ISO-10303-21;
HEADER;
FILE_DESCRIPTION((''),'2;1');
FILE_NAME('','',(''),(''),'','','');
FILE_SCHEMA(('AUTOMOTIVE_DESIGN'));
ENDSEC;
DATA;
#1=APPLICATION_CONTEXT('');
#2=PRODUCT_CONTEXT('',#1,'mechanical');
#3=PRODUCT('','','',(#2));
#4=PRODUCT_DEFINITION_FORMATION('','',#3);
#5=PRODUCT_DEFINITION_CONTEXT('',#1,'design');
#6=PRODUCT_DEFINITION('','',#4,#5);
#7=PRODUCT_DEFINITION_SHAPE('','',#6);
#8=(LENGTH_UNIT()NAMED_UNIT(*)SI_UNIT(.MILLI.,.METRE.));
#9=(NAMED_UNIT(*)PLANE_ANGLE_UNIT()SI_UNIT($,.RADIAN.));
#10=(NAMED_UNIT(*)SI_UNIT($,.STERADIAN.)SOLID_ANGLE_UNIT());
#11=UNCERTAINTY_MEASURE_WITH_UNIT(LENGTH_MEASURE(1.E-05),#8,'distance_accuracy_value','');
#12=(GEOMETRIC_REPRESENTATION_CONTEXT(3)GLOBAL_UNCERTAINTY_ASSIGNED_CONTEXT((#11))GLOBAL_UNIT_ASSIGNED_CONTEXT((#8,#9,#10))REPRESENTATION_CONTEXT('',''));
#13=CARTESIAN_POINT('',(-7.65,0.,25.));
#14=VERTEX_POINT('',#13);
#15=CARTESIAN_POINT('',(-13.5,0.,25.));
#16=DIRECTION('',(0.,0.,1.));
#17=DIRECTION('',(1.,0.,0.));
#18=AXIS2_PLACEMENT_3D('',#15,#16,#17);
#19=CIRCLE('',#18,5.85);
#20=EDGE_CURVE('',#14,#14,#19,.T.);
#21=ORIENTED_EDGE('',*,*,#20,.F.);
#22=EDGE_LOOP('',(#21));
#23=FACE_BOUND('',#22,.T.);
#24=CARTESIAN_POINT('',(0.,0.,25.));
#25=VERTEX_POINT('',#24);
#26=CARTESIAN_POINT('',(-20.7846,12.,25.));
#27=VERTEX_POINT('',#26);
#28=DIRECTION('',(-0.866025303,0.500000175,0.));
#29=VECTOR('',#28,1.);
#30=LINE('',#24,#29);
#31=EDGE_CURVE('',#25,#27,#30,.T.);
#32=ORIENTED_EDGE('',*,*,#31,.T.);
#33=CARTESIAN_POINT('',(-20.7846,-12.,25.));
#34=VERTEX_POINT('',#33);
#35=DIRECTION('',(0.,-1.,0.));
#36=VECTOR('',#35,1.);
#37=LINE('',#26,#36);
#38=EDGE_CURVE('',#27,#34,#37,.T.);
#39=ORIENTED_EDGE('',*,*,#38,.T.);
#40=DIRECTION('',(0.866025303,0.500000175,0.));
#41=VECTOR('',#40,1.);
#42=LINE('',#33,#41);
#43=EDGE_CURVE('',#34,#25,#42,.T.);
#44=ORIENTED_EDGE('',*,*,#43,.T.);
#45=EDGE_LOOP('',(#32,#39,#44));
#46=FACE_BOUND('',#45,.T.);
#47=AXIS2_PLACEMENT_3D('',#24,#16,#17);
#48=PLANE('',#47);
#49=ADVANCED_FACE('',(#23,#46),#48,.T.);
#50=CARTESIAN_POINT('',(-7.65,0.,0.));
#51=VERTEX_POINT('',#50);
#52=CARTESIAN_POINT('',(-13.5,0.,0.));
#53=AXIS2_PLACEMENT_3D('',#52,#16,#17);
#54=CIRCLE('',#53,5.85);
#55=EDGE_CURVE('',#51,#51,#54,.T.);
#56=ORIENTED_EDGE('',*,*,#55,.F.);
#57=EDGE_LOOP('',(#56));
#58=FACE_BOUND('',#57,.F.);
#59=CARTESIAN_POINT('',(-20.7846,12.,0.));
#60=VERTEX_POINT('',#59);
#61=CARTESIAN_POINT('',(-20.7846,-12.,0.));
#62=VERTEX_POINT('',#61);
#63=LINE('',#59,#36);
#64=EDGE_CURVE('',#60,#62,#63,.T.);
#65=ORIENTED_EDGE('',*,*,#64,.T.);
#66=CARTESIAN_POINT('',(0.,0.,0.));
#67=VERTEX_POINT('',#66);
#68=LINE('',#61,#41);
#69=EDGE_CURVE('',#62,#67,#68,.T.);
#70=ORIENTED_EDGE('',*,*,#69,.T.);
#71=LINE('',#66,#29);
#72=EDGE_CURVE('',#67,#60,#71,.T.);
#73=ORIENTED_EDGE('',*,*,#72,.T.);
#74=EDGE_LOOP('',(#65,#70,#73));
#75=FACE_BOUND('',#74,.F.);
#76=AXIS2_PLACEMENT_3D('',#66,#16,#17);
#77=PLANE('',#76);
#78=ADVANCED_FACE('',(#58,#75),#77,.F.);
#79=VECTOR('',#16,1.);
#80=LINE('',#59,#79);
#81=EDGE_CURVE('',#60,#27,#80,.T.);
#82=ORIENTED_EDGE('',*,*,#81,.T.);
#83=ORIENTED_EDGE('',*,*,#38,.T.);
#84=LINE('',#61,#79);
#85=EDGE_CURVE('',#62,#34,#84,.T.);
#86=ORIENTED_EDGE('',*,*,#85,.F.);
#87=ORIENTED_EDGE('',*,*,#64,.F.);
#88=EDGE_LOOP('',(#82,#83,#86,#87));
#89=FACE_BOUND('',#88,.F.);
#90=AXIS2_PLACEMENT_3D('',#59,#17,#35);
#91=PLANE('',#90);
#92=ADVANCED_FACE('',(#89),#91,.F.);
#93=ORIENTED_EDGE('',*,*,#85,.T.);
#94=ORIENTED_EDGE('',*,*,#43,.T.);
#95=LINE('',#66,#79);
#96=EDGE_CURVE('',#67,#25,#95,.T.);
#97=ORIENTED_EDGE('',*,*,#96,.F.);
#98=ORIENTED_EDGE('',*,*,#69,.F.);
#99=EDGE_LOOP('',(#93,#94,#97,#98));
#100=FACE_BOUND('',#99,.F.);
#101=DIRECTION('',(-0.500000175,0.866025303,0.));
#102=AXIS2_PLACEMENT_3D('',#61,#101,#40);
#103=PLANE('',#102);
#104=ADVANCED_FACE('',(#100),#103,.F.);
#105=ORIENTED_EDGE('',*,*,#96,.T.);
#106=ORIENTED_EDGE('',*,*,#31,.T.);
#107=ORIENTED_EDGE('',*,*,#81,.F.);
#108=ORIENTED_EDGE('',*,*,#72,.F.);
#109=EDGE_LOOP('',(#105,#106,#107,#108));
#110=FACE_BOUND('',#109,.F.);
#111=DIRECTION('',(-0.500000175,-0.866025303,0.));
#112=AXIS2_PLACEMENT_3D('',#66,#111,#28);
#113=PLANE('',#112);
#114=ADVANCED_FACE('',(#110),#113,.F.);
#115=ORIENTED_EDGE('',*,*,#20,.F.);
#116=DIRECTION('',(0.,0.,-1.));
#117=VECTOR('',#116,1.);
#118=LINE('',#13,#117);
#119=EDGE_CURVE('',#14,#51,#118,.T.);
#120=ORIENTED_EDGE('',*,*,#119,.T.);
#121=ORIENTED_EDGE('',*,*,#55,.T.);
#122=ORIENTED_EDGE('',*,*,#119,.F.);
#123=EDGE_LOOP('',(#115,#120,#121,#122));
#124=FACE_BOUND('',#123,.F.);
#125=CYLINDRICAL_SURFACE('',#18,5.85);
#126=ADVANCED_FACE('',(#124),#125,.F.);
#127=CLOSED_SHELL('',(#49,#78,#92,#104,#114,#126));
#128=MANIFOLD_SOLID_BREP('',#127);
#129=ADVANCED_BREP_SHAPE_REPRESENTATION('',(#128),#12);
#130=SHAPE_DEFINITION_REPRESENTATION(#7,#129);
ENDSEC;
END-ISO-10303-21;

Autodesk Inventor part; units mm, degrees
ref_plane "YZ Plane" through (0, 0, 0) normal (1, 0, 0) x (0, 1, 0)
ref_plane "XZ Plane" through (0, 0, 0) normal (0, 1, 0) x (-1, 0, 0)
ref_plane "XY Plane" through (0, 0, 0) normal (0, 0, 1) x (1, 0, 0)
sketch "Sketch1" plane through (0, 0, 0) normal (0, 0, 1) x (1, 0, 0)
  line L0 (0, 0) -> (-20.7846, 12)
  line L1 (-20.7846, 12) -> (-20.7846, -12)
  line L2 (-20.7846, -12) -> (0, 0)
  dimension "d7" = 24
  dimension "d8" = 24
  dimension "d9" = 24
extrude "Extrusion1" add sketch "Sketch1" along normal blind 25
sketch "Sketch2" plane through (0, 0, 25) normal (0, 0, 1) x (1, 0, 0)
  circle A0 centre (-13.5, 0) radius 5.85
  point P0 (0, 0)
  dimension "d10" = 11.7
  dimension "d11" = 13.5
  dimension "d12" = 0
extrude "Extrusion2" cut sketch "Sketch2" against normal up to surface (25 mm away)
equation "\"d7\" = d8"
equation "\"d9\" = d8"
properties part number "Triangle"
